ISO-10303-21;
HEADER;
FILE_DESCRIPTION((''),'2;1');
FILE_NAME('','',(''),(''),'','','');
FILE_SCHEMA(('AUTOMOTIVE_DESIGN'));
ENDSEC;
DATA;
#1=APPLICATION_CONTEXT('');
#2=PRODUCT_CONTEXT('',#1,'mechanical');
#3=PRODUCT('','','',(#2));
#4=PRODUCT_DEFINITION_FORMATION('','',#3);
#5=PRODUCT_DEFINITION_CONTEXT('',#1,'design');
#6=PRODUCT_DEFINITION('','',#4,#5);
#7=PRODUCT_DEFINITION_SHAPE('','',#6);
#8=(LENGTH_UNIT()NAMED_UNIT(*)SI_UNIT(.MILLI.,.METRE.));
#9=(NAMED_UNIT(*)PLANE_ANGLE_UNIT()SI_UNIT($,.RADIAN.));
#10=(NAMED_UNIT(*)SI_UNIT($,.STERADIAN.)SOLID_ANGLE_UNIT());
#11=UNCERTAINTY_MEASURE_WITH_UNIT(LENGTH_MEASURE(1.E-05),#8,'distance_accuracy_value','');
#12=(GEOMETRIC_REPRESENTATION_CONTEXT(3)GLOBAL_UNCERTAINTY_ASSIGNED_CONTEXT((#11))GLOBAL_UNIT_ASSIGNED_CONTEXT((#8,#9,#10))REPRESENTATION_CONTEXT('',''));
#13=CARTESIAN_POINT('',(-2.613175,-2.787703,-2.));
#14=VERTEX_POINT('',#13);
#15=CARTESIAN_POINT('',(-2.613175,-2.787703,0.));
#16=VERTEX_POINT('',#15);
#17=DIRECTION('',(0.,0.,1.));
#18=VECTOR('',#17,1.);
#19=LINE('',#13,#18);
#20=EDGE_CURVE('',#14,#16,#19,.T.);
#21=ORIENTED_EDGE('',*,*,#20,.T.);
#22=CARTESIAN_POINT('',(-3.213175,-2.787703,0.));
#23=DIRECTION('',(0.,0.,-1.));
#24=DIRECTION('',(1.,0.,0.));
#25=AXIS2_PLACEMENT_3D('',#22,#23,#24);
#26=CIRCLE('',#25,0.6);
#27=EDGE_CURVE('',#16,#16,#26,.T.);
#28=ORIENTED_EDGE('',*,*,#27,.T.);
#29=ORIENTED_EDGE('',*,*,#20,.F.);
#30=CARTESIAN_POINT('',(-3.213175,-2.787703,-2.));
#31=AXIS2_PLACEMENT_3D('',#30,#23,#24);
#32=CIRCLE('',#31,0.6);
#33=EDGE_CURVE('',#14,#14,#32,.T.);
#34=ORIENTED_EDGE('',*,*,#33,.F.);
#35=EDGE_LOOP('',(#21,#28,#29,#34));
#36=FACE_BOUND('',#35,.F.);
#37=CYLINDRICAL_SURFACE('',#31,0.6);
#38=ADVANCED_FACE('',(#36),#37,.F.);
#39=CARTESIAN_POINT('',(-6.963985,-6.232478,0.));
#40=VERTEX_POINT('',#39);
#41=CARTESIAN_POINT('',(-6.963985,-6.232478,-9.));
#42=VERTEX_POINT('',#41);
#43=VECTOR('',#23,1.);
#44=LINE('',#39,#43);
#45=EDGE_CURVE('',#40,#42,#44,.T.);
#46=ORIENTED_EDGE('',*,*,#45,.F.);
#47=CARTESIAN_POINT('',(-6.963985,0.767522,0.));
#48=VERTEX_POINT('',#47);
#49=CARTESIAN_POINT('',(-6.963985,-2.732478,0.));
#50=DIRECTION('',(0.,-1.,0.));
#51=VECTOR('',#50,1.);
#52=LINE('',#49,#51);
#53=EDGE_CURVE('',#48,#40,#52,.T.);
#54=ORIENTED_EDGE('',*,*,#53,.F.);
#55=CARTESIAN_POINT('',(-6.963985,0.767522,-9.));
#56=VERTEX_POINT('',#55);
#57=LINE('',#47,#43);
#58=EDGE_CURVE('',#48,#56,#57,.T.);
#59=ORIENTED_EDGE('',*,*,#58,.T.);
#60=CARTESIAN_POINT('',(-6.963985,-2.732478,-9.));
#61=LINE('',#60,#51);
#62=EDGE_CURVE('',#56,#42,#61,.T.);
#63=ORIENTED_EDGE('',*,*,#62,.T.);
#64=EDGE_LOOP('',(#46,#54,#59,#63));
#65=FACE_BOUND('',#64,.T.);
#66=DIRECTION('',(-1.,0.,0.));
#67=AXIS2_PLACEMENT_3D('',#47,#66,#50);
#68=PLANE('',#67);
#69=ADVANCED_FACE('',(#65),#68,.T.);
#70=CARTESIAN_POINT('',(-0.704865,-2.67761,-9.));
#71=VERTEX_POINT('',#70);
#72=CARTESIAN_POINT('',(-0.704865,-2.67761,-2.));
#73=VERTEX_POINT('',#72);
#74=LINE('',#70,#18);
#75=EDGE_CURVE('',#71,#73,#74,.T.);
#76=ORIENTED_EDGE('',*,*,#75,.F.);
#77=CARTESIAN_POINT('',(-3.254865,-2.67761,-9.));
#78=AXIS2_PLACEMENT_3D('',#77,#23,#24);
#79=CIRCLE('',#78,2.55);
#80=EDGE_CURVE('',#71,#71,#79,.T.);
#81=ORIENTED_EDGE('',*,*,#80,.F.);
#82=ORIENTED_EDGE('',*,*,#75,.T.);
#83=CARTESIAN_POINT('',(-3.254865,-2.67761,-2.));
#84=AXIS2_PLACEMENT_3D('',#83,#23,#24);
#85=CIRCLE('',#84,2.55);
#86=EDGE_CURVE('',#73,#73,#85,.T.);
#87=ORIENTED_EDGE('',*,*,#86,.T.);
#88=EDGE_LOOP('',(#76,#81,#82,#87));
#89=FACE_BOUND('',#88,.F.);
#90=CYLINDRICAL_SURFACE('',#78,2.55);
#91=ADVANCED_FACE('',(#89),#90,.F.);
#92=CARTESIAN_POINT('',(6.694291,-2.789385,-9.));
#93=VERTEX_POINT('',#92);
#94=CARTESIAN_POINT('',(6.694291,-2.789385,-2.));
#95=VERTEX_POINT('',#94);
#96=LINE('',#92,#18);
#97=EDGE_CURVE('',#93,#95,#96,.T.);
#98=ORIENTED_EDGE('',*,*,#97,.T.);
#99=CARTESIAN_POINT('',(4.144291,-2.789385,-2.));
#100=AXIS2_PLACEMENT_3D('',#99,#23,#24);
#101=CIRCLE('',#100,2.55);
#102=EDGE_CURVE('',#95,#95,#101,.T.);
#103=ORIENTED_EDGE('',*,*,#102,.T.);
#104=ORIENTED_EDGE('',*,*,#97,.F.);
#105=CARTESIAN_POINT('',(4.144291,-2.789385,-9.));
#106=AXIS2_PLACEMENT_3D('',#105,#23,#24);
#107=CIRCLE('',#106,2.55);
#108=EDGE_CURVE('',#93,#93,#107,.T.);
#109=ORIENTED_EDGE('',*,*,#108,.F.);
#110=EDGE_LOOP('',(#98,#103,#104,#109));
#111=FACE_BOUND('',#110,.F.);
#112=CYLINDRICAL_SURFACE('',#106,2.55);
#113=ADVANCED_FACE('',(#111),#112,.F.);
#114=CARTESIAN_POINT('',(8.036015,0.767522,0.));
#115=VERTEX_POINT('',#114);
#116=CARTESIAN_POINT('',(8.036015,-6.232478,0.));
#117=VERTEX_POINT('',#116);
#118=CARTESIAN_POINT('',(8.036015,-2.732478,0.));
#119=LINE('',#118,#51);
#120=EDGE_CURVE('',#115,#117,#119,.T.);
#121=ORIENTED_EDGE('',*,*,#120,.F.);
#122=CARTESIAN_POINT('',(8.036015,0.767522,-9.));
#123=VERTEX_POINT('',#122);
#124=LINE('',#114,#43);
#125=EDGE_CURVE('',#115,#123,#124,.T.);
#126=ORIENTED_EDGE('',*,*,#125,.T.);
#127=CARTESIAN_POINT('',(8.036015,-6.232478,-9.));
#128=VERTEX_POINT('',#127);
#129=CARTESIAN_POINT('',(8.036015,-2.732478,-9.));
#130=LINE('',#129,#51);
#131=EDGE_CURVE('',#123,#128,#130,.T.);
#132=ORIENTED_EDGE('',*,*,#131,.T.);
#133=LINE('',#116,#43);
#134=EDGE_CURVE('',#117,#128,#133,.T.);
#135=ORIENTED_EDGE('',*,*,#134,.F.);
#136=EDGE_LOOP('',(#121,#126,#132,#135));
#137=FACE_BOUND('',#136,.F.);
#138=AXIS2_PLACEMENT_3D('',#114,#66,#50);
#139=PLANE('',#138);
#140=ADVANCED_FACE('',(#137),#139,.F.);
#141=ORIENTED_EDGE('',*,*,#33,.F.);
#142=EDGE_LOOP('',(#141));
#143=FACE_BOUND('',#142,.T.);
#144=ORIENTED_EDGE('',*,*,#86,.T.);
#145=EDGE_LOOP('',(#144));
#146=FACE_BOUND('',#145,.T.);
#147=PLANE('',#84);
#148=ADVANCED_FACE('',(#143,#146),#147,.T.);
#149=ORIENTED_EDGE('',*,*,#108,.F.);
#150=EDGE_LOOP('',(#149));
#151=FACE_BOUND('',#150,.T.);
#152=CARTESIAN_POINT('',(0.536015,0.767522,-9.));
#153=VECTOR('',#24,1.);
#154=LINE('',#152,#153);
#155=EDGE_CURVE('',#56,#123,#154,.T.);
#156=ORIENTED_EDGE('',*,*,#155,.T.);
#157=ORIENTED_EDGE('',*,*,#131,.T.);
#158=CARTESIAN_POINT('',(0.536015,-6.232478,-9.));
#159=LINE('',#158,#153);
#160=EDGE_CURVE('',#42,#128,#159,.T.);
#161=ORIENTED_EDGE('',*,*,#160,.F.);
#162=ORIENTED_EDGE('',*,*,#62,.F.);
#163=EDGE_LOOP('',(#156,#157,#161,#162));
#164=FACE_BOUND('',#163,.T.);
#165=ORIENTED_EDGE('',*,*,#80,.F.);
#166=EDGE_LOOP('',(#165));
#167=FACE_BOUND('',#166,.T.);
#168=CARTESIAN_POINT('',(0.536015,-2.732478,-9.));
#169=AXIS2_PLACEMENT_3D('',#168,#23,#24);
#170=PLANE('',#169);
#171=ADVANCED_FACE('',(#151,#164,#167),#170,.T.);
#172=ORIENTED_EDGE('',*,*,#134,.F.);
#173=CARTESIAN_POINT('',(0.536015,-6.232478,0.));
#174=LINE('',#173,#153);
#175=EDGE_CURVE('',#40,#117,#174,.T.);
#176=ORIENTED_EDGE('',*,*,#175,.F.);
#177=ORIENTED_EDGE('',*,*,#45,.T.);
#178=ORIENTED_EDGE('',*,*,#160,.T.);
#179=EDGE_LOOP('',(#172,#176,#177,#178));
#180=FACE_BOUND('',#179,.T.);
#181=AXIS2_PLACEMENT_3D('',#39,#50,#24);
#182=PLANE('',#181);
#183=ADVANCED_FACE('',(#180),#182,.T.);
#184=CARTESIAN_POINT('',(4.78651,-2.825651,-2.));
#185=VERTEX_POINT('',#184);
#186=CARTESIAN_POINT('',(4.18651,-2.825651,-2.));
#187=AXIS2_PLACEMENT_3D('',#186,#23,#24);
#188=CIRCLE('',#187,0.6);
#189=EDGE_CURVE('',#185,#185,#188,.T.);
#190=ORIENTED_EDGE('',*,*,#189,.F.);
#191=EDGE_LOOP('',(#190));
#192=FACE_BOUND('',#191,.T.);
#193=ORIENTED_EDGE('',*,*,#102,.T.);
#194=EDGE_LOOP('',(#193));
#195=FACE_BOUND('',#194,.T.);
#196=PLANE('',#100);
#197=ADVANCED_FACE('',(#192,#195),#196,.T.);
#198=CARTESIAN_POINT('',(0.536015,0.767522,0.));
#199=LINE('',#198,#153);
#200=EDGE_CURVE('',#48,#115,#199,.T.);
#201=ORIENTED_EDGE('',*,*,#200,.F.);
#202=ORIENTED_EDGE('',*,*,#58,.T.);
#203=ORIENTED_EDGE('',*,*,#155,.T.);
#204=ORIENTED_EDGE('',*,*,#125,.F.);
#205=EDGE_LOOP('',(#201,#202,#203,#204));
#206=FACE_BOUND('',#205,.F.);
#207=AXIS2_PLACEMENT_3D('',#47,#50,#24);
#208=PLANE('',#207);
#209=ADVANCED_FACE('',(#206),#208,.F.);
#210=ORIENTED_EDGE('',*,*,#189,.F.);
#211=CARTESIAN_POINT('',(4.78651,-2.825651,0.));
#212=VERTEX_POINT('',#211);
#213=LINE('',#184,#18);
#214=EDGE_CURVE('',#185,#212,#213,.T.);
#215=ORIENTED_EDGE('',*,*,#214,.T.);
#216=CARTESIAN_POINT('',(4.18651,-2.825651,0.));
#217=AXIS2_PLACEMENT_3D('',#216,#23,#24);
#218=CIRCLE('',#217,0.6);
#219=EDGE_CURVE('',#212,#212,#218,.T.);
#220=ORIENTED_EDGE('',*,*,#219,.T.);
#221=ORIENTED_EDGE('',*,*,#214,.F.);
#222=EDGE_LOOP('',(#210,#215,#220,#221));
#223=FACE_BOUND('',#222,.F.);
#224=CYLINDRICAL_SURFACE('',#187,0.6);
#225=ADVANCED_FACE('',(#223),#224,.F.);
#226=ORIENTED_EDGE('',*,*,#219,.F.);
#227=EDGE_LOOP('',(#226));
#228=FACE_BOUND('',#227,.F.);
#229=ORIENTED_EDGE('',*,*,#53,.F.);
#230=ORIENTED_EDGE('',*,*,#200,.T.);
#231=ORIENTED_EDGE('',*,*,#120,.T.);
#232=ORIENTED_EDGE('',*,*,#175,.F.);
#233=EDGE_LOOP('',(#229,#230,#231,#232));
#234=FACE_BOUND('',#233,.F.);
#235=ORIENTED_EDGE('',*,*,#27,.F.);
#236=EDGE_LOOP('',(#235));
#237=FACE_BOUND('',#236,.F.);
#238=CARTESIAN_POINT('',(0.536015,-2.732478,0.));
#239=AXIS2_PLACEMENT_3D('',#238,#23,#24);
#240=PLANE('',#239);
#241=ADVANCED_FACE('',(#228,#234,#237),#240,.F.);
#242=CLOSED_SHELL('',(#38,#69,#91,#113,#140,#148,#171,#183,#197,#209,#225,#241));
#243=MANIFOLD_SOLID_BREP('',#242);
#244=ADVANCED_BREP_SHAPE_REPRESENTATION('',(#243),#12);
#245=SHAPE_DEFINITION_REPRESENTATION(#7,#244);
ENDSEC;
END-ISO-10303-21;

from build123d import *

# Parameters (mm, degrees)
SKETCH001_W     = 15
SKETCH001_H     = 7
PAD_DEPTH       = 9
SKETCH_R        = 2.55
POCKET_DEPTH    = 7
SKETCH002_R     = 0.6
POCKET001_DEPTH = 5


with BuildPart() as part:
    # Sketch001 → Pad (new body)
    with BuildSketch(Plane(origin=(0, 0, 0), x_dir=(1, 0, 0), z_dir=(0, 0, -1))):
        with Locations((0.536015, 2.732478)):
            Rectangle(SKETCH001_W, SKETCH001_H)
    extrude(amount=PAD_DEPTH)

    # Sketch → Pocket (cut)
    with BuildSketch(Plane(origin=(0, 0, -9), x_dir=(1, 0, 0), z_dir=(0, 0, -1))):
        with Locations((-3.254865, 2.67761)):
            Circle(SKETCH_R)
        with Locations((4.144291, 2.789385)):
            Circle(SKETCH_R)
    extrude(amount=-POCKET_DEPTH, mode=Mode.SUBTRACT)

    # Sketch002 → Pocket001 (cut)
    with BuildSketch(Plane(origin=(0, 0, -2), x_dir=(1, 0, 0), z_dir=(0, 0, -1))):
        with Locations((-3.213175, 2.787703)):
            Circle(SKETCH002_R)
        with Locations((4.18651, 2.825651)):
            Circle(SKETCH002_R)
    extrude(amount=-POCKET001_DEPTH, mode=Mode.SUBTRACT)


solid = part.part
